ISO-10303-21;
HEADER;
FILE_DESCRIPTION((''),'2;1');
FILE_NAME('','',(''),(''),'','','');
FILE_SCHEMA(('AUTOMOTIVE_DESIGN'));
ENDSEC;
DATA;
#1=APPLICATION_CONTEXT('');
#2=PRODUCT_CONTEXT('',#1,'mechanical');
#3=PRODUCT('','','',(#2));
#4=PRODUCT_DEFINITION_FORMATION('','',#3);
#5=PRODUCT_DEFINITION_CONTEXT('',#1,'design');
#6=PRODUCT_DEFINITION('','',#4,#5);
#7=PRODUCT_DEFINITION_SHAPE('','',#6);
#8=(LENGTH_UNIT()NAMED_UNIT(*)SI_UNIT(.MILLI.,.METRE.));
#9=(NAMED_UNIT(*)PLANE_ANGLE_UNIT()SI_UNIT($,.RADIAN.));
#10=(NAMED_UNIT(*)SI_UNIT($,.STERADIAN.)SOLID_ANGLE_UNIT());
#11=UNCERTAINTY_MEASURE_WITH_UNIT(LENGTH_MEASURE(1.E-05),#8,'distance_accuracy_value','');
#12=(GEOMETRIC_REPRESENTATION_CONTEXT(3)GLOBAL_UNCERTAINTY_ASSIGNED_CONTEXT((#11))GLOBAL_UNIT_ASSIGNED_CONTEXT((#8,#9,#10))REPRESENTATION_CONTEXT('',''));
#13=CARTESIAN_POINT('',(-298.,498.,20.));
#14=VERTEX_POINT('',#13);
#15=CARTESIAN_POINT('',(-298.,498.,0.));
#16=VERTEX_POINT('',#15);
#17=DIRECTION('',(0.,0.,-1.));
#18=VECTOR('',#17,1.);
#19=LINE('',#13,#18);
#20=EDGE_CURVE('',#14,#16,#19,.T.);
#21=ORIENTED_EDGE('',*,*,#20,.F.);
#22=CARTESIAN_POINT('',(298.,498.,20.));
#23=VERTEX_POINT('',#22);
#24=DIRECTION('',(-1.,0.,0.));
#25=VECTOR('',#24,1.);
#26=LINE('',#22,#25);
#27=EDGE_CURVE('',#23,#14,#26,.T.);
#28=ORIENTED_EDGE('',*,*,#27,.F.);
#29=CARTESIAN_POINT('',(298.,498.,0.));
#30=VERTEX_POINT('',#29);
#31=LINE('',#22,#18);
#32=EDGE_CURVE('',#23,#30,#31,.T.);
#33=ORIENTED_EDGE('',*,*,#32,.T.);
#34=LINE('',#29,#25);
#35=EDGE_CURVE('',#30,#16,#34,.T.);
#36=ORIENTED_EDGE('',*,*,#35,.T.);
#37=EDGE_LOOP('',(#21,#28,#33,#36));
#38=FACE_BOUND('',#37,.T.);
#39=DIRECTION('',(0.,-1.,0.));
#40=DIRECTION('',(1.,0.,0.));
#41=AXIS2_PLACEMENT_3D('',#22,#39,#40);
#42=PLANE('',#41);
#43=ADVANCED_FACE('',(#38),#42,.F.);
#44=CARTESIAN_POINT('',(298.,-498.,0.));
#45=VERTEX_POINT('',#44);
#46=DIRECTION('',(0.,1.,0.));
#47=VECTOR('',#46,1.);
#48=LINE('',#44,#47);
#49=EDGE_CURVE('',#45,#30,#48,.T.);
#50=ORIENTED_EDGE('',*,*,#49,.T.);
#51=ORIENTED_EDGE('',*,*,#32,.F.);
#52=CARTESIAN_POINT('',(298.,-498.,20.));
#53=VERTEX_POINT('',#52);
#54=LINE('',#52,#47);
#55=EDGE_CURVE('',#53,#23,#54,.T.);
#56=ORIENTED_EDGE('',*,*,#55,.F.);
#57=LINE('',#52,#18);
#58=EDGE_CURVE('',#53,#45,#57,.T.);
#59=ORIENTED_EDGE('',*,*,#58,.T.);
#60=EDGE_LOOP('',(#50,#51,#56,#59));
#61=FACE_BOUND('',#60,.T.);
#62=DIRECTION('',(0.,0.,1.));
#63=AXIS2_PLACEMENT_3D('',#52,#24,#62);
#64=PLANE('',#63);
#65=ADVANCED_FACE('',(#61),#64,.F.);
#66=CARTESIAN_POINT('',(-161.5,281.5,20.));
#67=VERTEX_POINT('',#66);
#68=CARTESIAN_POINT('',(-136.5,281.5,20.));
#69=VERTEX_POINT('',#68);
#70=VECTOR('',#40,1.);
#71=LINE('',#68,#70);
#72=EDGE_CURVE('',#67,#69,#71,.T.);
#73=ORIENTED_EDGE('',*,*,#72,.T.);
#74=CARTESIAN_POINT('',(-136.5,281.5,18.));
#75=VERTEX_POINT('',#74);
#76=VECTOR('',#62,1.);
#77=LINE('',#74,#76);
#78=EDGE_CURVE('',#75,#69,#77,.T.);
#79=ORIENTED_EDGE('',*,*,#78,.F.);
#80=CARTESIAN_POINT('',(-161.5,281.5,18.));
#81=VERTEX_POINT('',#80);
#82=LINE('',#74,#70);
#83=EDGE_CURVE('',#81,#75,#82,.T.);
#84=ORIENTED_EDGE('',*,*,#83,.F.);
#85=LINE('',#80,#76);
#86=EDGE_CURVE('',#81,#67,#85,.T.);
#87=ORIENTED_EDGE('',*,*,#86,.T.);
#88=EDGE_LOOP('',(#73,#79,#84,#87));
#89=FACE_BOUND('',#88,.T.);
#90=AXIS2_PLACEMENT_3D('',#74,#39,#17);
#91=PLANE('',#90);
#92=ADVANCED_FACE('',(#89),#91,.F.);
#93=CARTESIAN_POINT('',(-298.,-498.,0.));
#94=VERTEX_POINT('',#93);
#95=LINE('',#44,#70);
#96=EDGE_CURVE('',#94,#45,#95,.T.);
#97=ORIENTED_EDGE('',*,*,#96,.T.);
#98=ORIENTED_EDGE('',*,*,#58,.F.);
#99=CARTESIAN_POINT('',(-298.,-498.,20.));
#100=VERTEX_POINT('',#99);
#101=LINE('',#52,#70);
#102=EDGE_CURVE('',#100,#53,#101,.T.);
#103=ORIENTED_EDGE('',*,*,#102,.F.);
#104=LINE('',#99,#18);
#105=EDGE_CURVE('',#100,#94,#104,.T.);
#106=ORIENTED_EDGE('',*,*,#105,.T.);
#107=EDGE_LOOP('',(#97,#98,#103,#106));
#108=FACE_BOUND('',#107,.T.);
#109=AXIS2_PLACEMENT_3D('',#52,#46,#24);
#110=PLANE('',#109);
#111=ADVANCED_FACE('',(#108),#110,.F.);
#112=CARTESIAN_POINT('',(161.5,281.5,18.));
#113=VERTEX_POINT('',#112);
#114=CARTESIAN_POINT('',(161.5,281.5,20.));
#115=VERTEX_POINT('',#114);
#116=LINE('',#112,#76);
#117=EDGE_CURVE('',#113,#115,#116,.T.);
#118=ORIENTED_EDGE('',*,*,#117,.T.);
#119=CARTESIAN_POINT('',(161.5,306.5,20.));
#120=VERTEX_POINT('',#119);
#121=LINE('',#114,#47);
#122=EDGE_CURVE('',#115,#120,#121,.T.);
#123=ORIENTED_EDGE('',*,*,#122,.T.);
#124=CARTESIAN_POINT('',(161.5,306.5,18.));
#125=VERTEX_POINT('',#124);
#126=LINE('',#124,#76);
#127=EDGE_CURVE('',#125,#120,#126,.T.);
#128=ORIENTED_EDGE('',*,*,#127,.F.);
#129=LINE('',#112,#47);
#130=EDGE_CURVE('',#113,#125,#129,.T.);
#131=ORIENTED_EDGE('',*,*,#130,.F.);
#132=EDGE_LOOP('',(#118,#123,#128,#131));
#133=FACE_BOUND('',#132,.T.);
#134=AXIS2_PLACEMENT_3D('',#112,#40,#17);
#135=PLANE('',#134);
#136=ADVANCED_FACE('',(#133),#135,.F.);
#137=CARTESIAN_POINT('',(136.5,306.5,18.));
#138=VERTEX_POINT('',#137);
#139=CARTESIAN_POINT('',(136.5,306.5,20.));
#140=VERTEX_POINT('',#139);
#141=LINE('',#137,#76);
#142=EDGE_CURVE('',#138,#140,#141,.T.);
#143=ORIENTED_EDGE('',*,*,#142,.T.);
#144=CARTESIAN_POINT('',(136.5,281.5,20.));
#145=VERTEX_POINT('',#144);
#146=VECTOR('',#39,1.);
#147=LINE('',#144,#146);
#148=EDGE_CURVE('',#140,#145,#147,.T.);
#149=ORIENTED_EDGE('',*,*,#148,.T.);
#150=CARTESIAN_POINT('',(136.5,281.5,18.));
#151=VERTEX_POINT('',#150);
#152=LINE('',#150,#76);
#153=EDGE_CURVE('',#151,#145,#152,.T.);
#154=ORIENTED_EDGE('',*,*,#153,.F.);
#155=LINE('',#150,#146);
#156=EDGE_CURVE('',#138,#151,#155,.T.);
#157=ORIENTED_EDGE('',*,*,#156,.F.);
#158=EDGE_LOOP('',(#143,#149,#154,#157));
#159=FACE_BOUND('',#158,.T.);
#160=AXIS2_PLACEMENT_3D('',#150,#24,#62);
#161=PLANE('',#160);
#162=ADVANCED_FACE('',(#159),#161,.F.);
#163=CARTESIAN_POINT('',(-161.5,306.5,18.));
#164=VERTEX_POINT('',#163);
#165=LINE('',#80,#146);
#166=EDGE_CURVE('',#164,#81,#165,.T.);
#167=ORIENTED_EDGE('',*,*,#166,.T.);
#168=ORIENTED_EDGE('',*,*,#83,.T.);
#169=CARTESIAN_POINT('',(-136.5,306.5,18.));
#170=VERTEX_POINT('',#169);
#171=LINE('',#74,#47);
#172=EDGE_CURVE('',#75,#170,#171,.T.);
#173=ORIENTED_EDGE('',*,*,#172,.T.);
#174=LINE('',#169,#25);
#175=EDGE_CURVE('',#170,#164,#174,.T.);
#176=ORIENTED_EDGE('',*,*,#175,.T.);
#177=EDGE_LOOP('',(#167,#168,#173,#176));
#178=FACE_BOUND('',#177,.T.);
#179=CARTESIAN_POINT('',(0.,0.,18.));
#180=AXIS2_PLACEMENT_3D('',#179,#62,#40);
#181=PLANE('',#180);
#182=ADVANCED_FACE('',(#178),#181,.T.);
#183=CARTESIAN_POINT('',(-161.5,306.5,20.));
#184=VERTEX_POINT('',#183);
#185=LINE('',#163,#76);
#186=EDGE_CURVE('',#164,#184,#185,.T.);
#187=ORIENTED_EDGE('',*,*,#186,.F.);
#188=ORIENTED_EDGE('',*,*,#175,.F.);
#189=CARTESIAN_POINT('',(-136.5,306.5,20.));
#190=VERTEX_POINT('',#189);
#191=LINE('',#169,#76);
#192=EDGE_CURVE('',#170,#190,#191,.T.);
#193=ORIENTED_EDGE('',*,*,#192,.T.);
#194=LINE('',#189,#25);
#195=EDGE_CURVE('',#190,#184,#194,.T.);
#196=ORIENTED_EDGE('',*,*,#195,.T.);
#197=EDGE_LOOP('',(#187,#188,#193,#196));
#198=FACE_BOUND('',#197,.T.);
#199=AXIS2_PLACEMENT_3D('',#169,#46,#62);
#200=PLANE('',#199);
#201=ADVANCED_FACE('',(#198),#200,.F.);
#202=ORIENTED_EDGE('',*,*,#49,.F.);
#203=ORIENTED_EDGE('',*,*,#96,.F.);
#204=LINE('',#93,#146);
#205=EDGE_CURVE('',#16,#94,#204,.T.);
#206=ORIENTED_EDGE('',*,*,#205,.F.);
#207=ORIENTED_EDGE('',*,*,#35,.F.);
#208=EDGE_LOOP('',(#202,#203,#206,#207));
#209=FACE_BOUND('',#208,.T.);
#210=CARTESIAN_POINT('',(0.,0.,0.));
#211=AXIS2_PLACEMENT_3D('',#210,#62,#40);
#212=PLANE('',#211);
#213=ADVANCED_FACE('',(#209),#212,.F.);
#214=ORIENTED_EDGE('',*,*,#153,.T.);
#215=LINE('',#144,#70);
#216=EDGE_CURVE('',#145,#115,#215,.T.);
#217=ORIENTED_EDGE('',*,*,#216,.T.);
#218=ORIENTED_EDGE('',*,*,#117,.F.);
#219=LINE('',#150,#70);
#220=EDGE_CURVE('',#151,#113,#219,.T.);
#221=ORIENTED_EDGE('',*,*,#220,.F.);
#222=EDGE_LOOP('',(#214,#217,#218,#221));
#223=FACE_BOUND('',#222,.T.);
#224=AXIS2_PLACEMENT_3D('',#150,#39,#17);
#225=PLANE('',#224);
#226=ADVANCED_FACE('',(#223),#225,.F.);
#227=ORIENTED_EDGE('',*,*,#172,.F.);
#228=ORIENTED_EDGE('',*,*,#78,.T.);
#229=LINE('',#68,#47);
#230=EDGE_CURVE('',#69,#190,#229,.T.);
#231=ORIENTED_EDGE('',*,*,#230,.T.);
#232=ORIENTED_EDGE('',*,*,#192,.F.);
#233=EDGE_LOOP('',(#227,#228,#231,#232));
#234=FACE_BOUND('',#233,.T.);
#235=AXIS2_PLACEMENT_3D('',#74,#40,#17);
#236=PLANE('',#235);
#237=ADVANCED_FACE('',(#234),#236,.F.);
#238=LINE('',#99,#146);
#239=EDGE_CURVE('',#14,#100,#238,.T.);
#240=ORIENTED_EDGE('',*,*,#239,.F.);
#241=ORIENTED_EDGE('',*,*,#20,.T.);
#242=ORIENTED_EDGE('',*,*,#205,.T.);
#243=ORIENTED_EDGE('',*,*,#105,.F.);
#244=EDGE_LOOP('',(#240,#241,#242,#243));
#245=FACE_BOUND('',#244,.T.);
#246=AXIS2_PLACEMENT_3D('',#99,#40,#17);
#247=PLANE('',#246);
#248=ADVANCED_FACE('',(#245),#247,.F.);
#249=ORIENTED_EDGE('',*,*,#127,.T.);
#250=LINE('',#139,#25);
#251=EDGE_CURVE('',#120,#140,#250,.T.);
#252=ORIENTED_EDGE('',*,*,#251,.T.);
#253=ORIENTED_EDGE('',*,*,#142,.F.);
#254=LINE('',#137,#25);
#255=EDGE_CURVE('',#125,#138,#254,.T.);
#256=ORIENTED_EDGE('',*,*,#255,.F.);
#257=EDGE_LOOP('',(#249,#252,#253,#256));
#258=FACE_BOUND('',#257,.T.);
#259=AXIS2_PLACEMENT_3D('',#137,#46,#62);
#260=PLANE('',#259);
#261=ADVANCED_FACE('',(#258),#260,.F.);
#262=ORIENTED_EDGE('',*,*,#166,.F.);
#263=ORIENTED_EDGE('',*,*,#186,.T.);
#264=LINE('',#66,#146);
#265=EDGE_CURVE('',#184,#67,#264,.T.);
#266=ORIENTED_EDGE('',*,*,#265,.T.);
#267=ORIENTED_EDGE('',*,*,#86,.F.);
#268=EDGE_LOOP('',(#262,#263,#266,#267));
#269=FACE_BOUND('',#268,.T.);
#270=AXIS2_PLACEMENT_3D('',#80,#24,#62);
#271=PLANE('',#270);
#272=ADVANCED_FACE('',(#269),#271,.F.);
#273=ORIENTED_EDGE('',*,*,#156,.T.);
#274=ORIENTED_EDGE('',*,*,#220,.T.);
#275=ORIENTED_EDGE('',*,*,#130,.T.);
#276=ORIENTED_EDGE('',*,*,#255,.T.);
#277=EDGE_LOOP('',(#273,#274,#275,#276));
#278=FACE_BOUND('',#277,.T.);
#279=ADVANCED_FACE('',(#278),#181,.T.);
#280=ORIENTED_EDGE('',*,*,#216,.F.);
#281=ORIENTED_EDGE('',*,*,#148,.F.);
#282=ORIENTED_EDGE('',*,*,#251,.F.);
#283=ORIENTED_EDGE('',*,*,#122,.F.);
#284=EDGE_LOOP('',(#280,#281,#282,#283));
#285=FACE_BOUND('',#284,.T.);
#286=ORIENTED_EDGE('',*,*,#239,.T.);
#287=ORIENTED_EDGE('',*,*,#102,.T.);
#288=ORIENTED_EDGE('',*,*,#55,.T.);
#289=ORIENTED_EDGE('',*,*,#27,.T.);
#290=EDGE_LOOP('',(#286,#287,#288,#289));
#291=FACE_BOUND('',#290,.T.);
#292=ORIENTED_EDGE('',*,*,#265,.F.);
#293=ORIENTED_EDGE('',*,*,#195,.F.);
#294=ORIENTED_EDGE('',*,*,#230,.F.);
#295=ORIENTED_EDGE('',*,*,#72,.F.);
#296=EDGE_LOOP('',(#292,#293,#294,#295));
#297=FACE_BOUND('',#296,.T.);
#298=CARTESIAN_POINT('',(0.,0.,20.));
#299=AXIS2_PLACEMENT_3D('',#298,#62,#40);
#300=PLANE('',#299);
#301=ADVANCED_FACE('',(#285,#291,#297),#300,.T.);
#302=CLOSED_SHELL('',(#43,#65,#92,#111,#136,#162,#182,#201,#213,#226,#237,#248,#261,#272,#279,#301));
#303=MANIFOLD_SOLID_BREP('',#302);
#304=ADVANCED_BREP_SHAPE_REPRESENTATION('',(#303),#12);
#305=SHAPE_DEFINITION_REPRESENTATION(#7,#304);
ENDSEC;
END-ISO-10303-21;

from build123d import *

# Parameters (mm, degrees)
SKETCH1_W           = 596
SKETCH1_H           = 996
BOSS_EXTRUDE1_DEPTH = 20
SKETCH2_W           = 25
SKETCH2_H           = 25
CUT_EXTRUDE1_DEPTH  = 2


with BuildPart() as part:
    # Sketch1 → Boss-Extrude1 (new body)
    with BuildSketch(Plane.XY):
        Rectangle(SKETCH1_W, SKETCH1_H)
    extrude(amount=BOSS_EXTRUDE1_DEPTH)

    # Sketch2 → Cut-Extrude1 (cut)
    with BuildSketch(Plane.XY.offset(20)):
        with Locations((149, 294)):
            Rectangle(SKETCH2_W, SKETCH2_H)
        with Locations((-149, 294)):
            Rectangle(SKETCH2_W, SKETCH2_H)
    extrude(amount=-CUT_EXTRUDE1_DEPTH, mode=Mode.SUBTRACT)


solid = part.part
